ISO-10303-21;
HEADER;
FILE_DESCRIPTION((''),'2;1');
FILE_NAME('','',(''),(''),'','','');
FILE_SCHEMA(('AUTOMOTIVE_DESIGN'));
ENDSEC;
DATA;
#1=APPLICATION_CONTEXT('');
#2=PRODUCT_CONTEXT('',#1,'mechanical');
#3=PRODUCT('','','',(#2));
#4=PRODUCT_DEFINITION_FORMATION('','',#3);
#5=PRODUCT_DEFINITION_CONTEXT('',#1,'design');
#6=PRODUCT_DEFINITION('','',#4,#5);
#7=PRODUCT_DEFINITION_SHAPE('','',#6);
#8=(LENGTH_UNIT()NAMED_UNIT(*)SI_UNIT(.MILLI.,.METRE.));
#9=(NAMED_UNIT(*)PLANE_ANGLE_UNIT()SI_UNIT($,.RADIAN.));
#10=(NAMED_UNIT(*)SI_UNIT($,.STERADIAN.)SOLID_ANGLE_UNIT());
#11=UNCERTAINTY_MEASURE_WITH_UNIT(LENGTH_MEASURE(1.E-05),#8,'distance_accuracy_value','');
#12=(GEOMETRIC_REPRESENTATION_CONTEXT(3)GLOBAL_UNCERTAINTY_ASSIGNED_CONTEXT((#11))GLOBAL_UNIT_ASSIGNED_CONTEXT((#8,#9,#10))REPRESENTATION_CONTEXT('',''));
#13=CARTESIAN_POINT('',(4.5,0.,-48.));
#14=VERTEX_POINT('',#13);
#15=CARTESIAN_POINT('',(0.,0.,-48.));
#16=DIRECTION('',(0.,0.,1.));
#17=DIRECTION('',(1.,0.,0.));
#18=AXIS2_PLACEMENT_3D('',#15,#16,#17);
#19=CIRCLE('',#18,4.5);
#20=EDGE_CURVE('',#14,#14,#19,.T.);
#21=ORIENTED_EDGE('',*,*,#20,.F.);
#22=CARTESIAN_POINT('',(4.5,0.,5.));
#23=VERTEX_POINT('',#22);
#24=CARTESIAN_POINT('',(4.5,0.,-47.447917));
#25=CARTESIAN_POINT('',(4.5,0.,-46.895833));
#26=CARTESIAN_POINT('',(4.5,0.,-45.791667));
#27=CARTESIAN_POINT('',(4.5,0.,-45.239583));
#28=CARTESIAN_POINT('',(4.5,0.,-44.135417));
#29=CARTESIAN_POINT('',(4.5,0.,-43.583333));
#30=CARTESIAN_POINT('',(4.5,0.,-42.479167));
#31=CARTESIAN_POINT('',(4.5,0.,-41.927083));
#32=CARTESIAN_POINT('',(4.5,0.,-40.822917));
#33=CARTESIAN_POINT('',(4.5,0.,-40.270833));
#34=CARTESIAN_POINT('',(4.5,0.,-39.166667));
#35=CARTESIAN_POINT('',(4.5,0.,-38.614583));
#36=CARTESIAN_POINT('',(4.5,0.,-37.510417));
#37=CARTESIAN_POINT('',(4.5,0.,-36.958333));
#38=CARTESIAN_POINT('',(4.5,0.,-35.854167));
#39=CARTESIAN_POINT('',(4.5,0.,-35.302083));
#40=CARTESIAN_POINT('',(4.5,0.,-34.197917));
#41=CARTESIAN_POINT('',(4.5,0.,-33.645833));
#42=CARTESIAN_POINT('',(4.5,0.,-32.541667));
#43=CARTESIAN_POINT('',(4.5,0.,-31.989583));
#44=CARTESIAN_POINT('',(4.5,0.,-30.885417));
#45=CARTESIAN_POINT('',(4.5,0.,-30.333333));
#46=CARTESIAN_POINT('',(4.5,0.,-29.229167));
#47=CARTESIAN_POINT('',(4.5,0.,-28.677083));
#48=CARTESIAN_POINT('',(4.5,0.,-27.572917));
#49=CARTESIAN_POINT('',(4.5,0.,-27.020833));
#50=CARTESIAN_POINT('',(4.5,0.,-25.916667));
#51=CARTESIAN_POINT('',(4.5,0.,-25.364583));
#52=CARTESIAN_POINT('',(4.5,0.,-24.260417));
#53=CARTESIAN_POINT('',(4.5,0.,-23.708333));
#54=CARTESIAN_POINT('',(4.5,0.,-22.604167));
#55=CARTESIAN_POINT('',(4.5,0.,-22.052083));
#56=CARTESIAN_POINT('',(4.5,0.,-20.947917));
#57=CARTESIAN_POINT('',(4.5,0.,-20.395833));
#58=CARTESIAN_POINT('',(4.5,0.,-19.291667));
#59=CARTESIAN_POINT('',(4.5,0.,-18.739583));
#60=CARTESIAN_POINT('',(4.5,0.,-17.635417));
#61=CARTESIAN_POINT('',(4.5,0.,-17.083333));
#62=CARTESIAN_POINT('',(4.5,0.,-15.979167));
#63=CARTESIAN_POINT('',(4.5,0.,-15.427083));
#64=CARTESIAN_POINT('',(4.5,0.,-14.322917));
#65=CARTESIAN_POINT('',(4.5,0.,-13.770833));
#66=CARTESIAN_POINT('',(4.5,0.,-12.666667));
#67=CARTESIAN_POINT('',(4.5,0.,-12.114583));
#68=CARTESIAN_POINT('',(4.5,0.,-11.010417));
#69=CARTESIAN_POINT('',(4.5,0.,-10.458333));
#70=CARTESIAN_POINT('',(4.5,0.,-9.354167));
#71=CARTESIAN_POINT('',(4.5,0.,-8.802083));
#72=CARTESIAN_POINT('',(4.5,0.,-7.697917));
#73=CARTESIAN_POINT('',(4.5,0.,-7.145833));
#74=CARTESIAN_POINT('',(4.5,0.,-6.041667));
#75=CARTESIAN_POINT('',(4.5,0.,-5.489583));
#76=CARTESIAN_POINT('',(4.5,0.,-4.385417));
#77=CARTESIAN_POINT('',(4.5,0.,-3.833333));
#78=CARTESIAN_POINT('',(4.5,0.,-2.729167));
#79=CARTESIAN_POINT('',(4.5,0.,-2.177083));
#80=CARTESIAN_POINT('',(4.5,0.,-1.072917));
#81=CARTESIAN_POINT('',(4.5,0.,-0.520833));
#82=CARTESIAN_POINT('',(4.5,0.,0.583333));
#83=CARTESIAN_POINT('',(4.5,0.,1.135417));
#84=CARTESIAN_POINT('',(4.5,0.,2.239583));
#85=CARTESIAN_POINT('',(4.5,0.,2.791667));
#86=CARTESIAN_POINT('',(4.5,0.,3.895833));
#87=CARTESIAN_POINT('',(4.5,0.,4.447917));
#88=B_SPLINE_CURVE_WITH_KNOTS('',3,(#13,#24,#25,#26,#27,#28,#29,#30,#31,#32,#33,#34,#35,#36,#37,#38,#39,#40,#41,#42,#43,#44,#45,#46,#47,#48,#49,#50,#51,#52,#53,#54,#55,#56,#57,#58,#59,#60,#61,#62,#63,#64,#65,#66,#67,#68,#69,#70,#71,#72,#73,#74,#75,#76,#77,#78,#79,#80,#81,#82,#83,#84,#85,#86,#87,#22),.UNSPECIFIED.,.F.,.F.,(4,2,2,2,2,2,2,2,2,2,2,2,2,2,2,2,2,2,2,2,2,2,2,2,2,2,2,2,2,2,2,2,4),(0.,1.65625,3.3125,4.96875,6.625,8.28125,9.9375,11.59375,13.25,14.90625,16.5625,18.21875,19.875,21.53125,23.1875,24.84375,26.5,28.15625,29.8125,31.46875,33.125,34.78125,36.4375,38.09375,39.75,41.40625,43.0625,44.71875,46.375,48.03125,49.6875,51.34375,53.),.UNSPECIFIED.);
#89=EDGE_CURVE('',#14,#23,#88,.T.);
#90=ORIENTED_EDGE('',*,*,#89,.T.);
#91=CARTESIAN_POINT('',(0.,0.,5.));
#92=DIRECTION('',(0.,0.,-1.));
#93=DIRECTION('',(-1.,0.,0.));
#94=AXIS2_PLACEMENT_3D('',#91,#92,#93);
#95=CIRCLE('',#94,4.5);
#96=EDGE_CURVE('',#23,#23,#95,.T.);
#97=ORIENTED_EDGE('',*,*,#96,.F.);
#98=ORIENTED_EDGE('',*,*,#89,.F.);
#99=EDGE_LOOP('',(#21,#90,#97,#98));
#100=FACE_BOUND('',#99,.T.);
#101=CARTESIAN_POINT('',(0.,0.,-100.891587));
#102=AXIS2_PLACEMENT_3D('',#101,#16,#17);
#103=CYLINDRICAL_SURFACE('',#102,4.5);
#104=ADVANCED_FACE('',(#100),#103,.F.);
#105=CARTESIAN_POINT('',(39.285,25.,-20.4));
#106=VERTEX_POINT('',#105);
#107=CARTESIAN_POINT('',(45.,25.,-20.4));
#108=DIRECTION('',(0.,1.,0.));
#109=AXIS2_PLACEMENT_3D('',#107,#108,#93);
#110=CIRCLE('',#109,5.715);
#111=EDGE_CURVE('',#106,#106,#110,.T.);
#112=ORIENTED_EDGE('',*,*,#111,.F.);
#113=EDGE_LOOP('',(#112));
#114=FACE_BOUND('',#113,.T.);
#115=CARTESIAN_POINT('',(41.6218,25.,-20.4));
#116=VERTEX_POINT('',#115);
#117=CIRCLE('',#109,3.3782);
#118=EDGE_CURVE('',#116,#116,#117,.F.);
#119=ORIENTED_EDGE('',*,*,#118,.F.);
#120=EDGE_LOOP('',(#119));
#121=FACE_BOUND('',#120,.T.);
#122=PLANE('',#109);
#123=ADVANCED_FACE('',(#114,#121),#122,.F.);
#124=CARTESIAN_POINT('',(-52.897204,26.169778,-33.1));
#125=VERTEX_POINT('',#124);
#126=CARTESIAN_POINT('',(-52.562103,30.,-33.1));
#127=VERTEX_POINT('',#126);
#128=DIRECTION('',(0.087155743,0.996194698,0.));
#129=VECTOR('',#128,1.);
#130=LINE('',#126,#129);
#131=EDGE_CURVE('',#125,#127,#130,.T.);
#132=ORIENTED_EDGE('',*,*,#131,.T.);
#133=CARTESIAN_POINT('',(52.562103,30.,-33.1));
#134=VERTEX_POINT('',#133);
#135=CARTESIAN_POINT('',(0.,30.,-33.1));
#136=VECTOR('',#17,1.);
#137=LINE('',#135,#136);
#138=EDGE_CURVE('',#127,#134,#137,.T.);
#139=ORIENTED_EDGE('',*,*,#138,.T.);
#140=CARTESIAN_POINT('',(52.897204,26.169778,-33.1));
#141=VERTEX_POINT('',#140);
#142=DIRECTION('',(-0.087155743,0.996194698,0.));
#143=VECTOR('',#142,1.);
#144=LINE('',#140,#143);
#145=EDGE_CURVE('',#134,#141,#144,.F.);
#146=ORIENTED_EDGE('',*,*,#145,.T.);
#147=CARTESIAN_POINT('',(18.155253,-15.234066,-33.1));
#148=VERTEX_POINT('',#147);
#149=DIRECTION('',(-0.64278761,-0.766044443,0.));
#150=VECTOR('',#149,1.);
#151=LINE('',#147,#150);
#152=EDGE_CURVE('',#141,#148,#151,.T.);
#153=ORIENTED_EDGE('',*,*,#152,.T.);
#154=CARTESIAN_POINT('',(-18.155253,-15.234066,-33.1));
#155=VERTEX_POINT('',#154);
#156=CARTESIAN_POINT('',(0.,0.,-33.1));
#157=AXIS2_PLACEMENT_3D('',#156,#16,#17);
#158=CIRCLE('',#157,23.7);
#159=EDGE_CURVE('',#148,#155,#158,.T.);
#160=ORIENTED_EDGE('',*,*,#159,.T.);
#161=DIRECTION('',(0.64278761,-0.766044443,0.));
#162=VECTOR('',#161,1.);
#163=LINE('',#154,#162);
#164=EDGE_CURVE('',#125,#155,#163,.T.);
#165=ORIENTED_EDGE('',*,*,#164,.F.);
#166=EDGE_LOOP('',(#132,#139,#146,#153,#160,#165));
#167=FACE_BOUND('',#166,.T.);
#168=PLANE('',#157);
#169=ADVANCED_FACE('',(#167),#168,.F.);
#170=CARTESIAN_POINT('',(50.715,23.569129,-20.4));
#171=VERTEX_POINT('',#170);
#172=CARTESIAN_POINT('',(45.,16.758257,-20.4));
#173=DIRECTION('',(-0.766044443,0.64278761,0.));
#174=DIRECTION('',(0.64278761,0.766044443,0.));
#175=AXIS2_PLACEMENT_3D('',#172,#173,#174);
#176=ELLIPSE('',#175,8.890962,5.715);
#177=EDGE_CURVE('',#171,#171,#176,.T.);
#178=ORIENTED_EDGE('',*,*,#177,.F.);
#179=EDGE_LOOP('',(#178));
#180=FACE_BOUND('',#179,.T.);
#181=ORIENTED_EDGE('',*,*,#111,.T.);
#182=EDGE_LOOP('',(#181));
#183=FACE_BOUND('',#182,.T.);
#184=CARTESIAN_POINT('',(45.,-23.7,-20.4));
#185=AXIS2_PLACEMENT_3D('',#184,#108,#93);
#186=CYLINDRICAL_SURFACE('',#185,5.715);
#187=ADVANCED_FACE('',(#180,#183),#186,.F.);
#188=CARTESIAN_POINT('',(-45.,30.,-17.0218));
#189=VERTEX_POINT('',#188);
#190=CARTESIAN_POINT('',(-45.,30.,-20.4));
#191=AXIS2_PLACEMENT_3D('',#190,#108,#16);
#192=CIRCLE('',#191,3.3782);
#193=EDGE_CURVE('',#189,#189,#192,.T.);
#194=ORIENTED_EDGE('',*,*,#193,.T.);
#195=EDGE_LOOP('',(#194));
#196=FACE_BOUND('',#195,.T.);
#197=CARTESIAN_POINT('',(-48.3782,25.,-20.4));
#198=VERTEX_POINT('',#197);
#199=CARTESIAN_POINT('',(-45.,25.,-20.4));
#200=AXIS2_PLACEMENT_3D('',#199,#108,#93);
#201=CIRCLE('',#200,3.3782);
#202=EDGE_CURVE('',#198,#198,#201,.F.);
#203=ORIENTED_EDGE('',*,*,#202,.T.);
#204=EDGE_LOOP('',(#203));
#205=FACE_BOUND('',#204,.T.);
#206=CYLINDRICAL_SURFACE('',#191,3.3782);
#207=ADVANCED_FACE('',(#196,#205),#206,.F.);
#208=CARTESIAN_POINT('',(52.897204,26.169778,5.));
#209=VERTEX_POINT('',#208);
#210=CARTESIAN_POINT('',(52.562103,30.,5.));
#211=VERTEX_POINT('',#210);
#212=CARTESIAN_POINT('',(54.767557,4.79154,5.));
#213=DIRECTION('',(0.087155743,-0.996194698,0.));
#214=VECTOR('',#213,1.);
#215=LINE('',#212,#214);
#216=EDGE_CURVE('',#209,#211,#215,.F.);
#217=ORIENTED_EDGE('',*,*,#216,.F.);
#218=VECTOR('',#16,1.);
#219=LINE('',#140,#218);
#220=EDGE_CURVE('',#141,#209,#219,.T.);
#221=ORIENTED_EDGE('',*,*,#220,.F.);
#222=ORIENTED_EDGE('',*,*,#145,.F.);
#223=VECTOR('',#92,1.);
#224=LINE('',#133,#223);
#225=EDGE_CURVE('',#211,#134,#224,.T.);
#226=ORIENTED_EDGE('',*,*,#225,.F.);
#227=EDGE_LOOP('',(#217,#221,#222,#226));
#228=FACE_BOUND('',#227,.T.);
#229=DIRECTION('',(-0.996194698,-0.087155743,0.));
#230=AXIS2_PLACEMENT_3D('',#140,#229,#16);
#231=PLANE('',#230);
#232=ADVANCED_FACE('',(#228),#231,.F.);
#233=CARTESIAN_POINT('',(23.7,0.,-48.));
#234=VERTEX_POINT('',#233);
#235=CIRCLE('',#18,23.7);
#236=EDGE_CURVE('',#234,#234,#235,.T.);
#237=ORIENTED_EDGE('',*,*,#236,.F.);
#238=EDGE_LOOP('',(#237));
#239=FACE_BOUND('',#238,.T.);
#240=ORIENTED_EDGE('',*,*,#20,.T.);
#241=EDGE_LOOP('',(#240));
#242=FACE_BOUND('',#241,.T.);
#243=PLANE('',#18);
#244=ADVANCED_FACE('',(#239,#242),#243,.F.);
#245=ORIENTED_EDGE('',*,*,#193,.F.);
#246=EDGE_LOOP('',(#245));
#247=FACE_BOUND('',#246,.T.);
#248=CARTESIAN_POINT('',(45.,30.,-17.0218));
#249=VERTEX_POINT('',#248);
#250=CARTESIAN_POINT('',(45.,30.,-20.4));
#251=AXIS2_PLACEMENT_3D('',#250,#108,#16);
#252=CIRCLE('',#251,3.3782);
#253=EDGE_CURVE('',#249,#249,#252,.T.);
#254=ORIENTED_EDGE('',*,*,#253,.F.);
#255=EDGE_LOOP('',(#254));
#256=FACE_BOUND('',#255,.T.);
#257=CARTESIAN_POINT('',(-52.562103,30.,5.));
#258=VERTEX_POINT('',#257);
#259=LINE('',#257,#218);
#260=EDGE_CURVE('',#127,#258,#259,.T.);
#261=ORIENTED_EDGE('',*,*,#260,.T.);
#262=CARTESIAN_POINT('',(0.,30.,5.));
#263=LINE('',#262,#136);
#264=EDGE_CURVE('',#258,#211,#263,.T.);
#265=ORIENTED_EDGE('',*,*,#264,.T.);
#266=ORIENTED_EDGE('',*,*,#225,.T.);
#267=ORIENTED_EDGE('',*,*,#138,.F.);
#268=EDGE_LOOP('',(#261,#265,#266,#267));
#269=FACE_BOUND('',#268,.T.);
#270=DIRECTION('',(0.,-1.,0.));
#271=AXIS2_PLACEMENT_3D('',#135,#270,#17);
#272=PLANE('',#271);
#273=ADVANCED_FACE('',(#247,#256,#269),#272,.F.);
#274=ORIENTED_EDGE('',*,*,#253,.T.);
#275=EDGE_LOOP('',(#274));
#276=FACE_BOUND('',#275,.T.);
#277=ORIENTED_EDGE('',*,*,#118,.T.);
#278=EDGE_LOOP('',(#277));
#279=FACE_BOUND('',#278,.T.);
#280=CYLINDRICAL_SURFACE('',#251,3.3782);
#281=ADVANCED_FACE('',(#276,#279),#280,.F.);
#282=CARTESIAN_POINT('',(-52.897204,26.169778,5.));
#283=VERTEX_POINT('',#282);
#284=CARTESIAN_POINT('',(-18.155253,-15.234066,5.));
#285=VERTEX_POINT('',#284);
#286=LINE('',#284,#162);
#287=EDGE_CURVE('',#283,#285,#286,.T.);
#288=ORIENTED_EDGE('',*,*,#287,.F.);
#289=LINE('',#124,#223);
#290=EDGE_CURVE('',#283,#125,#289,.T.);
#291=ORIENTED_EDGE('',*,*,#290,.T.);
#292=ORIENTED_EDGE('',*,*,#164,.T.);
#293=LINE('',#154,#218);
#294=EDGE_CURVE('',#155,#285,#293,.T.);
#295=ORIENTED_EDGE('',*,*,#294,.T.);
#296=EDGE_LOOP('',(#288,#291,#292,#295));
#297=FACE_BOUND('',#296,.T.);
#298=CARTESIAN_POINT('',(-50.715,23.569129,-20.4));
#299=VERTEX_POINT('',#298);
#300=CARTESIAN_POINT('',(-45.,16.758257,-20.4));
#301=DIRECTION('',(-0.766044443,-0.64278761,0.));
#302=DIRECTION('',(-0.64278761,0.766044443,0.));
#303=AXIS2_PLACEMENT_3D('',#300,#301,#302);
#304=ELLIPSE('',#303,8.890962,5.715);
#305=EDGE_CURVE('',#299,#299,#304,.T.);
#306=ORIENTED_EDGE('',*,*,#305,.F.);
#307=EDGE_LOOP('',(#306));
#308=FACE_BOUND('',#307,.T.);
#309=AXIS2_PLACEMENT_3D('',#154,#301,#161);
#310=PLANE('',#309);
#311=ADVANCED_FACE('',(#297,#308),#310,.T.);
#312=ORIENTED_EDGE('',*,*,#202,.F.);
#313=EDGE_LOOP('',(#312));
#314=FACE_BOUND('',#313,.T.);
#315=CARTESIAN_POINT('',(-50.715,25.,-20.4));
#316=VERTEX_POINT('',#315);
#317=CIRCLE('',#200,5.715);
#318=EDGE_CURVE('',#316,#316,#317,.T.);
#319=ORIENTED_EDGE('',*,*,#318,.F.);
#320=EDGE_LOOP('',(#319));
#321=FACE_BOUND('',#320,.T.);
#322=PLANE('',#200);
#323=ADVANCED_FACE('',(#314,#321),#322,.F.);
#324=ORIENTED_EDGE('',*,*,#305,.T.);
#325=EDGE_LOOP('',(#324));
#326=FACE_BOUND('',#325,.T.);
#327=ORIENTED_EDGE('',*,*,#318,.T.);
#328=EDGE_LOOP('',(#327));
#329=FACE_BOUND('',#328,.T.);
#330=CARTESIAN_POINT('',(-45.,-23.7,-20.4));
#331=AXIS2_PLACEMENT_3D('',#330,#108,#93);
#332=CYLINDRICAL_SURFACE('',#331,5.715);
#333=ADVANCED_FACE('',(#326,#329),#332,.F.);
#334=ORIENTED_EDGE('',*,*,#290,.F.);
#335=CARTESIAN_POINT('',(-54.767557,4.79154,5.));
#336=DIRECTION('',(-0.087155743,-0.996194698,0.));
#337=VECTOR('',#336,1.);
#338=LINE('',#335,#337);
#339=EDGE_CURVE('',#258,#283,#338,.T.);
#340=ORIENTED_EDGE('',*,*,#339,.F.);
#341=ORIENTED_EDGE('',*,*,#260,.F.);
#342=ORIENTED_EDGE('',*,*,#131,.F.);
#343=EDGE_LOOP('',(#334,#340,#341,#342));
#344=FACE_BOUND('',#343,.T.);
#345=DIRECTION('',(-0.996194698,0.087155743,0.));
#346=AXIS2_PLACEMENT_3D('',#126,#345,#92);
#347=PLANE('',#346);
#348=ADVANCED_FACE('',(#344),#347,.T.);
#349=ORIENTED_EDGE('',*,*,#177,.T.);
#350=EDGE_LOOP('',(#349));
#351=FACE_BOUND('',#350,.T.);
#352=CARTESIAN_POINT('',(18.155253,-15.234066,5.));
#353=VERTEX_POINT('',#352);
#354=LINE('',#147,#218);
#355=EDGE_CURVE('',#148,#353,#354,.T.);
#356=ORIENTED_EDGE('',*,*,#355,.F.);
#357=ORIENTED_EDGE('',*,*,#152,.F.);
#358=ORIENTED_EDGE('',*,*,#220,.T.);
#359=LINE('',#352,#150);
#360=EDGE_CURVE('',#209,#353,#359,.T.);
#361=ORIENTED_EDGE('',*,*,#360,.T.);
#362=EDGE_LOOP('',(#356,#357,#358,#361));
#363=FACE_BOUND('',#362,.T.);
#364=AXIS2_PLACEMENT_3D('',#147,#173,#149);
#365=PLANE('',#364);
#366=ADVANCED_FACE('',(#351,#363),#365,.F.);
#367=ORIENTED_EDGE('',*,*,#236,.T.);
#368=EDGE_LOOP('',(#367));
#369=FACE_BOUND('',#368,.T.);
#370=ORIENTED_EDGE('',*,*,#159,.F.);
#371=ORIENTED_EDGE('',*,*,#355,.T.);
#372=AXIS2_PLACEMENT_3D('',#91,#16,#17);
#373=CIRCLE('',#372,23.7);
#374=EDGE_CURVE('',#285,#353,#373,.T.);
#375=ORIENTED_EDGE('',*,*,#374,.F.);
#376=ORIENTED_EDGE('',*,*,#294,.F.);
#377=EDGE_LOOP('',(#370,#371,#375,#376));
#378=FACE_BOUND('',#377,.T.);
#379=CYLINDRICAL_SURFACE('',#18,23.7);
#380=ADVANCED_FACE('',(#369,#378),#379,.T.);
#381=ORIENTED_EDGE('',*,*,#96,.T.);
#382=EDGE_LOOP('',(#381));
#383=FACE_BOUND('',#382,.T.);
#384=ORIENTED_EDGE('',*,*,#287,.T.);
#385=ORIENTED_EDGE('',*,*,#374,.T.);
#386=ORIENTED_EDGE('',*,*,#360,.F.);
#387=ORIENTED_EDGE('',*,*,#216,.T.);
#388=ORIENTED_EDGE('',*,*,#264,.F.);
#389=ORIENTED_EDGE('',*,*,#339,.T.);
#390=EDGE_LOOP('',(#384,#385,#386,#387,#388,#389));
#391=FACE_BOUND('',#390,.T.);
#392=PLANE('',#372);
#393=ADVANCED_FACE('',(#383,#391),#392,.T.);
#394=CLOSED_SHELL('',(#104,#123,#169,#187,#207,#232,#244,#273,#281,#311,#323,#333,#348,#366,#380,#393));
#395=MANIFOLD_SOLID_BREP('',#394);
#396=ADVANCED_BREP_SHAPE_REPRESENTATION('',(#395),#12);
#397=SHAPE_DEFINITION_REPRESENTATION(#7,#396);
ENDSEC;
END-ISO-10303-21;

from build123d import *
from OCP.BRepFilletAPI import BRepFilletAPI_MakeChamfer

# Parameters (mm, degrees)
SKETCH1_R               = 23.7
SKETCH1_R_2             = 18.7
BOSS_EXTRUDE1_DEPTH     = 48
BOSS_EXTRUDE2_START     = 5
SKETCH1_3_R             = 23.7
SKETCH1_3_R_2           = 18.7
SKETCH1_3_R_3           = 15.5
SKETCH1_3_R_4           = 6.5
BOSS_EXTRUDE2_DEPTH     = 5
BOSS_EXTRUDE3_DEPTH     = 38.1
F_1_4_CLEARANCE_HOLE1_D = 6.7564
SKETCH9_R               = 5.715
CUT_EXTRUDE1_DEPTH      = 89.454226705
CHAMFER1_SIZE           = 5
CHAMFER1_SIZE2          = 3.549039071
SKETCH10_R              = 18.7
SKETCH10_R_2            = 4.5
BOSS_EXTRUDE4_DEPTH     = 48
SKETCH10_2_R            = 4.5
CUT_EXTRUDE2_DEPTH      = 78.473312523


with BuildPart() as part:
    # Sketch1 → Boss-Extrude1 (new body)
    with BuildSketch(Plane.XY):
        Circle(SKETCH1_R)
        Circle(SKETCH1_R_2, mode=Mode.SUBTRACT)
    extrude(amount=-BOSS_EXTRUDE1_DEPTH)

    # Sketch1<3> → Boss-Extrude2 (add)
    # profile 1 of 4: a face of its own
    with BuildSketch(Plane.XY.offset(BOSS_EXTRUDE2_START)):
        Circle(SKETCH1_3_R)
        Circle(SKETCH1_3_R_2, mode=Mode.SUBTRACT)
    # profile 2 of 4: a face of its own
    with BuildSketch(Plane.XY.offset(BOSS_EXTRUDE2_START)):
        Circle(SKETCH1_3_R_2)
        Circle(SKETCH1_3_R_3, mode=Mode.SUBTRACT)
    # profile 3 of 4: a face of its own
    with BuildSketch(Plane.XY.offset(BOSS_EXTRUDE2_START)):
        Circle(SKETCH1_3_R_3)
        with Locations((0, 7.5)):
            Circle(SKETCH1_3_R_4, mode=Mode.SUBTRACT)
    # profile 4 of 4: a face of its own
    with BuildSketch(Plane.XY.offset(BOSS_EXTRUDE2_START)):
        with Locations((0, 7.5)):
            Circle(SKETCH1_3_R_4)
    extrude(amount=-BOSS_EXTRUDE2_DEPTH)

    # Sketch5 → Boss-Extrude3 (add)
    with BuildSketch(Plane.XY.offset(5)):
        with BuildLine():
            Line((56.111141692, 30), (-56.111141692, 30))
            Line((-56.111141692, 30), (-18.155253302, -15.23406635))
            ThreePointArc((-18.155253302, -15.23406635), (-8.105877397, 22.270715113), (23.7, 0))
            ThreePointArc((23.7, 0), (22.270715113, -8.105877397), (18.155253302, -15.23406635))
            Line((18.155253302, -15.23406635), (56.111141692, 30))
        make_face()
    extrude(amount=-BOSS_EXTRUDE3_DEPTH)

    # 1/4 Clearance Hole1 (through all)
    with Locations(Plane(origin=(0, 30, 0), x_dir=(1, 0, 0), z_dir=(0, 1, 0))):
        with Locations((-45, 20.4), (45, 20.4)):
            Hole(F_1_4_CLEARANCE_HOLE1_D / 2)

    # Sketch9 → Cut-Extrude1 (cut, through all)
    with BuildSketch(Plane(origin=(0, 25, 0), x_dir=(1, 0, 0), z_dir=(0, 1, 0))):
        with Locations(Location((-45, 20.4, 0), (0, 0, 180))):
            Circle(SKETCH9_R)
        with Locations(Location((45, 20.4, 0), (0, 0, 180))):
            Circle(SKETCH9_R)
    extrude(amount=-CUT_EXTRUDE1_DEPTH, mode=Mode.SUBTRACT)

    # Chamfer1: one chamfer whose edges measure the first distance from different faces: ONE call of the kernel's chamfer builder (chamfer() names one face for all edges)
    chamfer1_edges_1 = [part.edges().sort_by_distance(p)[0] for p in [
        (56.111141692, 30, -14.05),
    ]]
    chamfer1_side_1 = [part.faces().sort_by_distance(p)[0] for p in [
        (36.532384477, 6.666945749, -13.565030067),
    ]]
    chamfer1_edges_2 = [part.edges().sort_by_distance(p)[0] for p in [
        (-56.111141692, 30, -14.05),
    ]]
    chamfer1_side_2 = [part.faces().sort_by_distance(p)[0] for p in [
        (-36.532384477, 6.666945749, -13.565030067),
    ]]
    chamfer1 = BRepFilletAPI_MakeChamfer(part.part.solid().wrapped)
    for e in chamfer1_edges_1:
        chamfer1.Add(CHAMFER1_SIZE, CHAMFER1_SIZE2, e.wrapped, chamfer1_side_1[0].wrapped)  # the first distance lies on this face
    for e in chamfer1_edges_2:
        chamfer1.Add(CHAMFER1_SIZE, CHAMFER1_SIZE2, e.wrapped, chamfer1_side_2[0].wrapped)  # the first distance lies on this face
    add(Compound.cast(chamfer1.Shape()), mode=Mode.REPLACE)

    # Sketch10 → Boss-Extrude4 (add)
    with BuildSketch(Plane(origin=(0, 0, 0), x_dir=(-1, 0, 0), z_dir=(0, 0, -1))):
        Circle(SKETCH10_R)
        with Locations(Location((0, 0, 0), (0, 0, 180))):
            Circle(SKETCH10_R_2, mode=Mode.SUBTRACT)
    extrude(amount=BOSS_EXTRUDE4_DEPTH)

    # Sketch10<2> → Cut-Extrude2 (cut, through all)
    with BuildSketch(Plane(origin=(0, 0, 0), x_dir=(-1, 0, 0), z_dir=(0, 0, -1))):
        with Locations(Location((0, 0, 0), (0, 0, 180))):
            Circle(SKETCH10_2_R)
    extrude(amount=-CUT_EXTRUDE2_DEPTH, mode=Mode.SUBTRACT)


solid = part.part
